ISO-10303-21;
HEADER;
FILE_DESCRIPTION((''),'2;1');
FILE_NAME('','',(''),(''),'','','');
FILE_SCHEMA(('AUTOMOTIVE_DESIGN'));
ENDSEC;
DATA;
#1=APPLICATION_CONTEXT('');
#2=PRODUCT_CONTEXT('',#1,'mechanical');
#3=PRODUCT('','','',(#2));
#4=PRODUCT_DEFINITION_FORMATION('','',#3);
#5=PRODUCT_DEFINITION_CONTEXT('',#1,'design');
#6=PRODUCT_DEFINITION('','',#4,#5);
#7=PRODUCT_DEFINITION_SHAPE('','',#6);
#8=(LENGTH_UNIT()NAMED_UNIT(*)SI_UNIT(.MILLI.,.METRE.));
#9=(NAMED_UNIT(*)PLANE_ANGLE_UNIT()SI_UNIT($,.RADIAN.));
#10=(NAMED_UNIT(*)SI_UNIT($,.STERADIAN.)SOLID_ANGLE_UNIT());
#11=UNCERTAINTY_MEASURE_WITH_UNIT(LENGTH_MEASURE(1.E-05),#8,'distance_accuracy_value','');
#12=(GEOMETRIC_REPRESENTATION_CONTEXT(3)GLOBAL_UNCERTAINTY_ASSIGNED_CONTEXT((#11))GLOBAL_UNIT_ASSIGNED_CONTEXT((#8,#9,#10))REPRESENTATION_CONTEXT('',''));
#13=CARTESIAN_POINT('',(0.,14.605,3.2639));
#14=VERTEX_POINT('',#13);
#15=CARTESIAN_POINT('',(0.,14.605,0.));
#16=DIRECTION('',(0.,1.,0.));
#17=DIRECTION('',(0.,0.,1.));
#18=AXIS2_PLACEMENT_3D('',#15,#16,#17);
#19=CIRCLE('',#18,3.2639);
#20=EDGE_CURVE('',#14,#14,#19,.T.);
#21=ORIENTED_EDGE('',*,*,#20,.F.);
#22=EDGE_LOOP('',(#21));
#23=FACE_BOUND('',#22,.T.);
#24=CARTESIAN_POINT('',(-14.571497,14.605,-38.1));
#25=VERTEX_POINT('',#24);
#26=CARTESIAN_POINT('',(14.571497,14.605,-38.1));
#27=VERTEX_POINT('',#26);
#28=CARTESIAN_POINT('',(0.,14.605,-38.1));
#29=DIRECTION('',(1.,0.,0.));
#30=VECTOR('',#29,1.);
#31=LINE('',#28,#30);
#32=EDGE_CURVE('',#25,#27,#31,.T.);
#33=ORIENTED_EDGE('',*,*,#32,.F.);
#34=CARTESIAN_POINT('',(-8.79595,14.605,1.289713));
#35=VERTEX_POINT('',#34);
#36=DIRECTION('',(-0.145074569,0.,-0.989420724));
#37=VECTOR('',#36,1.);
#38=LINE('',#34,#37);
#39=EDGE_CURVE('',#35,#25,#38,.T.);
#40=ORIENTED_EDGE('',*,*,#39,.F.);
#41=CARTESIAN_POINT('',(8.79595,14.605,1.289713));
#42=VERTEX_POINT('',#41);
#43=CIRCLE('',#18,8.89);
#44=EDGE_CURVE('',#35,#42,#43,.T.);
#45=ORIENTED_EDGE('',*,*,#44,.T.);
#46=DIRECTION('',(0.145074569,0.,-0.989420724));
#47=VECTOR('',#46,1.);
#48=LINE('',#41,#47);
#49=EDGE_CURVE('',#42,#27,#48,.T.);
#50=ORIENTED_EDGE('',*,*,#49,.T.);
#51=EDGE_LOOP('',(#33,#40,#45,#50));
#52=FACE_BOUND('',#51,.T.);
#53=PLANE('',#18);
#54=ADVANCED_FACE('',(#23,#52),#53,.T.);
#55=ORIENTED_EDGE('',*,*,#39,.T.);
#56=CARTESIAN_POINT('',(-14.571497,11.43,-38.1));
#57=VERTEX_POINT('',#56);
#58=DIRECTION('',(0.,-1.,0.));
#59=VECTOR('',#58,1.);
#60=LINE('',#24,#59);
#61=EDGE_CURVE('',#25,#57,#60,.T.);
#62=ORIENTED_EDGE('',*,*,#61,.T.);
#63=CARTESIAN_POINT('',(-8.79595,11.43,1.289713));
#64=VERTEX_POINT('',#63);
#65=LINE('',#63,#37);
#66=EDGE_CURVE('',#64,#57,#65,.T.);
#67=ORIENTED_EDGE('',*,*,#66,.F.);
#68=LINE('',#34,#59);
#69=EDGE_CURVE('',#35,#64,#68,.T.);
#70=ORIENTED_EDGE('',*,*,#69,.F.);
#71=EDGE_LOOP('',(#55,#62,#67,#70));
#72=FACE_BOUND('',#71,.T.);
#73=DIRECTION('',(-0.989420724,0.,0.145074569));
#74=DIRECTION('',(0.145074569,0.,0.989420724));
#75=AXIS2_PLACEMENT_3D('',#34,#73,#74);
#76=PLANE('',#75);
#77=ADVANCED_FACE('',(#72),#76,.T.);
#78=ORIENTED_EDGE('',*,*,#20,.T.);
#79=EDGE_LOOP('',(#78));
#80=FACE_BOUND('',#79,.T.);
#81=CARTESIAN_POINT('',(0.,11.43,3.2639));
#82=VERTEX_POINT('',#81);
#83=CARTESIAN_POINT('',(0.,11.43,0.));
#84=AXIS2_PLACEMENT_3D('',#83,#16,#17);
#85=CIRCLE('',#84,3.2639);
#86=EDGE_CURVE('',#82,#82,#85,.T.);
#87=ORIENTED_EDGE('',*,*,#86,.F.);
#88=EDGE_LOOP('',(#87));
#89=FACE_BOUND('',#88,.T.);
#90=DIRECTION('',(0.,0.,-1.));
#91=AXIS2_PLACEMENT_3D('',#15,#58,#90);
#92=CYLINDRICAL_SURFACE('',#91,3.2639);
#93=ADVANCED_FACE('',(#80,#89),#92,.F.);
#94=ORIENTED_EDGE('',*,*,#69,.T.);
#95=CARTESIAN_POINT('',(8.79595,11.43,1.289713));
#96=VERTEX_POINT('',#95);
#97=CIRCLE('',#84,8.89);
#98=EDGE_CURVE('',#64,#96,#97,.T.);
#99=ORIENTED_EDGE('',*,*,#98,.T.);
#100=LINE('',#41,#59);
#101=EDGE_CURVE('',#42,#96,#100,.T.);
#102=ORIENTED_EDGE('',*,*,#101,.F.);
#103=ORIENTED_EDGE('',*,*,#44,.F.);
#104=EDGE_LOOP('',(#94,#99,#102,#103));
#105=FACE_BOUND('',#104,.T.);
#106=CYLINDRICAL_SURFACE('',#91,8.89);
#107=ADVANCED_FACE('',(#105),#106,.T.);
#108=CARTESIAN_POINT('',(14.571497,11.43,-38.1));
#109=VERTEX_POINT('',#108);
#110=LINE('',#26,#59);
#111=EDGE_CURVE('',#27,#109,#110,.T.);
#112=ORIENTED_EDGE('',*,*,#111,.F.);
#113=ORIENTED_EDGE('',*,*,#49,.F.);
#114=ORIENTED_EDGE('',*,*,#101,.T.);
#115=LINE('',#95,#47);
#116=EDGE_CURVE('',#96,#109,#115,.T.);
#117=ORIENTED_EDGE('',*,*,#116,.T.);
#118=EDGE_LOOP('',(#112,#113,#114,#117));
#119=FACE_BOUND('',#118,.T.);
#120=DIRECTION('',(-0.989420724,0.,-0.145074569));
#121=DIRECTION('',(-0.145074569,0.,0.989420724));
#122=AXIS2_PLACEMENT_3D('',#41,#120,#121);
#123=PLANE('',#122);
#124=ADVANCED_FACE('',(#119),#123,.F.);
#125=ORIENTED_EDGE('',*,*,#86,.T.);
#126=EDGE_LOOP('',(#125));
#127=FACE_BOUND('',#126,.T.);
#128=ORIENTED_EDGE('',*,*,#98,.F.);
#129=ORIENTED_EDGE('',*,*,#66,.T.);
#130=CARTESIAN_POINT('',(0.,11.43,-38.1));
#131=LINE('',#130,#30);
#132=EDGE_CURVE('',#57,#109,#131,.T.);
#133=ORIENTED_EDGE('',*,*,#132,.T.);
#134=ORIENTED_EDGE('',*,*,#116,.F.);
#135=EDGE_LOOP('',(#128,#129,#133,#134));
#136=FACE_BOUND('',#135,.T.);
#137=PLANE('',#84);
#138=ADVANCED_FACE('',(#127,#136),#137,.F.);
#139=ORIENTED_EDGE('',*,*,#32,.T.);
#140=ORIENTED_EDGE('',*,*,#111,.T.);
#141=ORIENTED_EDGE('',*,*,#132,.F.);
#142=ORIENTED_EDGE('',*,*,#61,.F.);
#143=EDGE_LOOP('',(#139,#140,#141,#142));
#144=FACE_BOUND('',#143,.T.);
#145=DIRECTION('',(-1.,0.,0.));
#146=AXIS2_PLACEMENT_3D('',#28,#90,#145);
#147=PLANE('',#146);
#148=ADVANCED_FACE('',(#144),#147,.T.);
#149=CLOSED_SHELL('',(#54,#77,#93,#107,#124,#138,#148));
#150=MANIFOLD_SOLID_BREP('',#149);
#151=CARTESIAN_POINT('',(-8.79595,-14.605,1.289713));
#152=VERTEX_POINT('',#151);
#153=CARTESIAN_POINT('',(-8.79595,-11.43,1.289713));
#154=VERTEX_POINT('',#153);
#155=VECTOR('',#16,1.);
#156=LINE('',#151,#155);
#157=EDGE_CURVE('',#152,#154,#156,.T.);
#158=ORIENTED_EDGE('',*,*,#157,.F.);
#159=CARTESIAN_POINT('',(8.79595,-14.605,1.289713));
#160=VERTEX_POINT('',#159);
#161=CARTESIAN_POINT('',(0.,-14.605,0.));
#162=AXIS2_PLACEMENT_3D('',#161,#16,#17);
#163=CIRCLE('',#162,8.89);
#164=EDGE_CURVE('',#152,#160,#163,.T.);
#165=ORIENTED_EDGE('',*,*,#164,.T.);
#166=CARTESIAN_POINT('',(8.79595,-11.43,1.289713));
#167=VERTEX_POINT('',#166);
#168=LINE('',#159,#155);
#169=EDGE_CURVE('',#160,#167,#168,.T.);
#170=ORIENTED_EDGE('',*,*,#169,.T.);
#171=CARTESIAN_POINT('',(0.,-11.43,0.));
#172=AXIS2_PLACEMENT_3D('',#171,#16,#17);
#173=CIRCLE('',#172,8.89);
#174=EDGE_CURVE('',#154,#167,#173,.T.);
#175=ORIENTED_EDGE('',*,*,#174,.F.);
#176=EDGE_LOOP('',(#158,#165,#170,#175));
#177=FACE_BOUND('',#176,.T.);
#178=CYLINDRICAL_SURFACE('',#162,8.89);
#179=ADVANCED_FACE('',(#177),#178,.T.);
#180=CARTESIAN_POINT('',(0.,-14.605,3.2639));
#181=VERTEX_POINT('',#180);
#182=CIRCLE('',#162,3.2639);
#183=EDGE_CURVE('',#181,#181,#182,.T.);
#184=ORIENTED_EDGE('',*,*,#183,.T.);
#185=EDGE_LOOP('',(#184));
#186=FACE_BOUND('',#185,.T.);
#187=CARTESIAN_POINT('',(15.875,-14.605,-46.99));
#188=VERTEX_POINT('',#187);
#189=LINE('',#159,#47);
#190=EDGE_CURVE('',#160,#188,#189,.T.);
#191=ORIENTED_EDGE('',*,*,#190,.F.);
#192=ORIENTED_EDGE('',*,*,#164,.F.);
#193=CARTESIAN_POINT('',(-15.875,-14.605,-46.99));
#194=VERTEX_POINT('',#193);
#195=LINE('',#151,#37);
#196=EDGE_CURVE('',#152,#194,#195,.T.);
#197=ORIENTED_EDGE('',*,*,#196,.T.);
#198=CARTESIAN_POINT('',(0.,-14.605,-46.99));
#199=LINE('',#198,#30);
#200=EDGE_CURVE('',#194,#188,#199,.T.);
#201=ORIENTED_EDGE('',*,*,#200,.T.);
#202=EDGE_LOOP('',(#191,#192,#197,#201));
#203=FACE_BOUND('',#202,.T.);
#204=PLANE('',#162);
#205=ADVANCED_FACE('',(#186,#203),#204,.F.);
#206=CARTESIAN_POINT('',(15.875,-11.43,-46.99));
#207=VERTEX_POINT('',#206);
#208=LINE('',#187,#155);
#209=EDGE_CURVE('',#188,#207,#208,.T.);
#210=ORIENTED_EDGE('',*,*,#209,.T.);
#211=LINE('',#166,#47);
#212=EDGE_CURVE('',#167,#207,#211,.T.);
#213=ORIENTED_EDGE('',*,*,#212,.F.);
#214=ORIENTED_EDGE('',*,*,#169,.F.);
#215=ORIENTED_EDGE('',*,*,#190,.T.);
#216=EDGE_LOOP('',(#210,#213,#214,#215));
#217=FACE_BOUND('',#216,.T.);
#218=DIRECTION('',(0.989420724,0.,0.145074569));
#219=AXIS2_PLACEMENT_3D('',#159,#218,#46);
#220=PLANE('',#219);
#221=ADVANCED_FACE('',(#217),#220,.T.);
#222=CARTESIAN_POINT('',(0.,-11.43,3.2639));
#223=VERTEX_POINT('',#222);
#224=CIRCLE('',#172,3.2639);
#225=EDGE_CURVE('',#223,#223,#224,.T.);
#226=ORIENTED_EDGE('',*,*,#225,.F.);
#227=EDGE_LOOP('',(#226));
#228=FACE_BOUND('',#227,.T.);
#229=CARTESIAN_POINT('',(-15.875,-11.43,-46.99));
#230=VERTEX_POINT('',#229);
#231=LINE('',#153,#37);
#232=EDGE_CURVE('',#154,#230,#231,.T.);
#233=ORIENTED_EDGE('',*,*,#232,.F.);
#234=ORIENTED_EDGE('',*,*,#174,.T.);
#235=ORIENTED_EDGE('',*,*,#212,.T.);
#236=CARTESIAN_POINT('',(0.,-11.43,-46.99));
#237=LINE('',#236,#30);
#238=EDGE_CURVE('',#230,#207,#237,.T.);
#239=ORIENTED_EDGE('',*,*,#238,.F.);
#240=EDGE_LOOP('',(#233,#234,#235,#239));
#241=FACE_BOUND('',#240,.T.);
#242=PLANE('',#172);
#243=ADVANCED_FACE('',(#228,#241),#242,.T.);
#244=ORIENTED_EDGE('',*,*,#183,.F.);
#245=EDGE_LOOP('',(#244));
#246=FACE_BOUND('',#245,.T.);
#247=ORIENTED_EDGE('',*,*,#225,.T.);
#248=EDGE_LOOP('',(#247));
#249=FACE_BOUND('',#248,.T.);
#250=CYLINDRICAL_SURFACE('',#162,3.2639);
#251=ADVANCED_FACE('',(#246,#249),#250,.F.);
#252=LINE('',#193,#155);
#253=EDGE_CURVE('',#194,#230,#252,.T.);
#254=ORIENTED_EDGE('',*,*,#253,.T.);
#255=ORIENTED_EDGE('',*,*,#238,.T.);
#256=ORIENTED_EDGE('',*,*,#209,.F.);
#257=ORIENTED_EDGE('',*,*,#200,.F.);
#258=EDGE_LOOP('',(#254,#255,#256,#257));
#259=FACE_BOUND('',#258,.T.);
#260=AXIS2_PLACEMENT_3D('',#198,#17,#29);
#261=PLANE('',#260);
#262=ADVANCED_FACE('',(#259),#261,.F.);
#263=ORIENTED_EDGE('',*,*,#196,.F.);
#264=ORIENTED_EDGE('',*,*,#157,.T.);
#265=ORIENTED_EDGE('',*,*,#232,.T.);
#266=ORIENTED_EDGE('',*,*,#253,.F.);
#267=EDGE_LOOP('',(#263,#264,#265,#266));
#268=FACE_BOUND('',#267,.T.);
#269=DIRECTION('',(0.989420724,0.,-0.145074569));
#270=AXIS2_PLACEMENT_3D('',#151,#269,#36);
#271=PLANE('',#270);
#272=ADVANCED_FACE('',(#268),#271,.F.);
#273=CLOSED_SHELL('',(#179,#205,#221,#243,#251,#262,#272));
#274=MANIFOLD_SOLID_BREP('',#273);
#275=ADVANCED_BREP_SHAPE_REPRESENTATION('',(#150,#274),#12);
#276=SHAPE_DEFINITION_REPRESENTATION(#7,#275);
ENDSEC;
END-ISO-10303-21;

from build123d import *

# Parameters (mm, degrees)
BOSS_EXTRUDE1_START = 11.43
SKETCH2_R           = 3.2639
BOSS_EXTRUDE1_DEPTH = 3.175
BOSS_EXTRUDE2_START = -11.43
SKETCH2_3_R         = 3.2639
BOSS_EXTRUDE2_DEPTH = 3.175


with BuildPart() as part:
    # Sketch2 → Boss-Extrude1 (new body)
    with BuildSketch(Plane(origin=(0, 0, 0), x_dir=(1, 0, 0), z_dir=(0, 1, 0)).offset(BOSS_EXTRUDE1_START)):
        with BuildLine():
            ThreePointArc((-8.795950238, -1.289712918), (0, -8.89), (8.795950238, -1.289712918))
            Line((8.795950238, -1.289712918), (14.571496964, 38.1))
            Line((14.571496964, 38.1), (-14.571496964, 38.1))
            Line((-14.571496964, 38.1), (-8.795950238, -1.289712918))
        make_face()
        with Locations(Location((0, 0, 0), (0, 0, 270))):
            Circle(SKETCH2_R, mode=Mode.SUBTRACT)
    extrude(amount=BOSS_EXTRUDE1_DEPTH)


with BuildPart() as body_2:
    # Sketch2<3> → Boss-Extrude2 (new body)
    with BuildSketch(Plane(origin=(0, 0, 0), x_dir=(1, 0, 0), z_dir=(0, 1, 0)).offset(BOSS_EXTRUDE2_START)):
        with BuildLine():
            Line((-15.875, 46.99), (-8.795950238, -1.289712918))
            ThreePointArc((-8.795950238, -1.289712918), (0, -8.89), (8.795950238, -1.289712918))
            Line((8.795950238, -1.289712918), (15.875, 46.99))
            Line((15.875, 46.99), (-15.875, 46.99))
        make_face()
        with Locations(Location((0, 0, 0), (0, 0, 270))):
            Circle(SKETCH2_3_R, mode=Mode.SUBTRACT)
    extrude(amount=-BOSS_EXTRUDE2_DEPTH)


solid = Compound([part.part, body_2.part])
